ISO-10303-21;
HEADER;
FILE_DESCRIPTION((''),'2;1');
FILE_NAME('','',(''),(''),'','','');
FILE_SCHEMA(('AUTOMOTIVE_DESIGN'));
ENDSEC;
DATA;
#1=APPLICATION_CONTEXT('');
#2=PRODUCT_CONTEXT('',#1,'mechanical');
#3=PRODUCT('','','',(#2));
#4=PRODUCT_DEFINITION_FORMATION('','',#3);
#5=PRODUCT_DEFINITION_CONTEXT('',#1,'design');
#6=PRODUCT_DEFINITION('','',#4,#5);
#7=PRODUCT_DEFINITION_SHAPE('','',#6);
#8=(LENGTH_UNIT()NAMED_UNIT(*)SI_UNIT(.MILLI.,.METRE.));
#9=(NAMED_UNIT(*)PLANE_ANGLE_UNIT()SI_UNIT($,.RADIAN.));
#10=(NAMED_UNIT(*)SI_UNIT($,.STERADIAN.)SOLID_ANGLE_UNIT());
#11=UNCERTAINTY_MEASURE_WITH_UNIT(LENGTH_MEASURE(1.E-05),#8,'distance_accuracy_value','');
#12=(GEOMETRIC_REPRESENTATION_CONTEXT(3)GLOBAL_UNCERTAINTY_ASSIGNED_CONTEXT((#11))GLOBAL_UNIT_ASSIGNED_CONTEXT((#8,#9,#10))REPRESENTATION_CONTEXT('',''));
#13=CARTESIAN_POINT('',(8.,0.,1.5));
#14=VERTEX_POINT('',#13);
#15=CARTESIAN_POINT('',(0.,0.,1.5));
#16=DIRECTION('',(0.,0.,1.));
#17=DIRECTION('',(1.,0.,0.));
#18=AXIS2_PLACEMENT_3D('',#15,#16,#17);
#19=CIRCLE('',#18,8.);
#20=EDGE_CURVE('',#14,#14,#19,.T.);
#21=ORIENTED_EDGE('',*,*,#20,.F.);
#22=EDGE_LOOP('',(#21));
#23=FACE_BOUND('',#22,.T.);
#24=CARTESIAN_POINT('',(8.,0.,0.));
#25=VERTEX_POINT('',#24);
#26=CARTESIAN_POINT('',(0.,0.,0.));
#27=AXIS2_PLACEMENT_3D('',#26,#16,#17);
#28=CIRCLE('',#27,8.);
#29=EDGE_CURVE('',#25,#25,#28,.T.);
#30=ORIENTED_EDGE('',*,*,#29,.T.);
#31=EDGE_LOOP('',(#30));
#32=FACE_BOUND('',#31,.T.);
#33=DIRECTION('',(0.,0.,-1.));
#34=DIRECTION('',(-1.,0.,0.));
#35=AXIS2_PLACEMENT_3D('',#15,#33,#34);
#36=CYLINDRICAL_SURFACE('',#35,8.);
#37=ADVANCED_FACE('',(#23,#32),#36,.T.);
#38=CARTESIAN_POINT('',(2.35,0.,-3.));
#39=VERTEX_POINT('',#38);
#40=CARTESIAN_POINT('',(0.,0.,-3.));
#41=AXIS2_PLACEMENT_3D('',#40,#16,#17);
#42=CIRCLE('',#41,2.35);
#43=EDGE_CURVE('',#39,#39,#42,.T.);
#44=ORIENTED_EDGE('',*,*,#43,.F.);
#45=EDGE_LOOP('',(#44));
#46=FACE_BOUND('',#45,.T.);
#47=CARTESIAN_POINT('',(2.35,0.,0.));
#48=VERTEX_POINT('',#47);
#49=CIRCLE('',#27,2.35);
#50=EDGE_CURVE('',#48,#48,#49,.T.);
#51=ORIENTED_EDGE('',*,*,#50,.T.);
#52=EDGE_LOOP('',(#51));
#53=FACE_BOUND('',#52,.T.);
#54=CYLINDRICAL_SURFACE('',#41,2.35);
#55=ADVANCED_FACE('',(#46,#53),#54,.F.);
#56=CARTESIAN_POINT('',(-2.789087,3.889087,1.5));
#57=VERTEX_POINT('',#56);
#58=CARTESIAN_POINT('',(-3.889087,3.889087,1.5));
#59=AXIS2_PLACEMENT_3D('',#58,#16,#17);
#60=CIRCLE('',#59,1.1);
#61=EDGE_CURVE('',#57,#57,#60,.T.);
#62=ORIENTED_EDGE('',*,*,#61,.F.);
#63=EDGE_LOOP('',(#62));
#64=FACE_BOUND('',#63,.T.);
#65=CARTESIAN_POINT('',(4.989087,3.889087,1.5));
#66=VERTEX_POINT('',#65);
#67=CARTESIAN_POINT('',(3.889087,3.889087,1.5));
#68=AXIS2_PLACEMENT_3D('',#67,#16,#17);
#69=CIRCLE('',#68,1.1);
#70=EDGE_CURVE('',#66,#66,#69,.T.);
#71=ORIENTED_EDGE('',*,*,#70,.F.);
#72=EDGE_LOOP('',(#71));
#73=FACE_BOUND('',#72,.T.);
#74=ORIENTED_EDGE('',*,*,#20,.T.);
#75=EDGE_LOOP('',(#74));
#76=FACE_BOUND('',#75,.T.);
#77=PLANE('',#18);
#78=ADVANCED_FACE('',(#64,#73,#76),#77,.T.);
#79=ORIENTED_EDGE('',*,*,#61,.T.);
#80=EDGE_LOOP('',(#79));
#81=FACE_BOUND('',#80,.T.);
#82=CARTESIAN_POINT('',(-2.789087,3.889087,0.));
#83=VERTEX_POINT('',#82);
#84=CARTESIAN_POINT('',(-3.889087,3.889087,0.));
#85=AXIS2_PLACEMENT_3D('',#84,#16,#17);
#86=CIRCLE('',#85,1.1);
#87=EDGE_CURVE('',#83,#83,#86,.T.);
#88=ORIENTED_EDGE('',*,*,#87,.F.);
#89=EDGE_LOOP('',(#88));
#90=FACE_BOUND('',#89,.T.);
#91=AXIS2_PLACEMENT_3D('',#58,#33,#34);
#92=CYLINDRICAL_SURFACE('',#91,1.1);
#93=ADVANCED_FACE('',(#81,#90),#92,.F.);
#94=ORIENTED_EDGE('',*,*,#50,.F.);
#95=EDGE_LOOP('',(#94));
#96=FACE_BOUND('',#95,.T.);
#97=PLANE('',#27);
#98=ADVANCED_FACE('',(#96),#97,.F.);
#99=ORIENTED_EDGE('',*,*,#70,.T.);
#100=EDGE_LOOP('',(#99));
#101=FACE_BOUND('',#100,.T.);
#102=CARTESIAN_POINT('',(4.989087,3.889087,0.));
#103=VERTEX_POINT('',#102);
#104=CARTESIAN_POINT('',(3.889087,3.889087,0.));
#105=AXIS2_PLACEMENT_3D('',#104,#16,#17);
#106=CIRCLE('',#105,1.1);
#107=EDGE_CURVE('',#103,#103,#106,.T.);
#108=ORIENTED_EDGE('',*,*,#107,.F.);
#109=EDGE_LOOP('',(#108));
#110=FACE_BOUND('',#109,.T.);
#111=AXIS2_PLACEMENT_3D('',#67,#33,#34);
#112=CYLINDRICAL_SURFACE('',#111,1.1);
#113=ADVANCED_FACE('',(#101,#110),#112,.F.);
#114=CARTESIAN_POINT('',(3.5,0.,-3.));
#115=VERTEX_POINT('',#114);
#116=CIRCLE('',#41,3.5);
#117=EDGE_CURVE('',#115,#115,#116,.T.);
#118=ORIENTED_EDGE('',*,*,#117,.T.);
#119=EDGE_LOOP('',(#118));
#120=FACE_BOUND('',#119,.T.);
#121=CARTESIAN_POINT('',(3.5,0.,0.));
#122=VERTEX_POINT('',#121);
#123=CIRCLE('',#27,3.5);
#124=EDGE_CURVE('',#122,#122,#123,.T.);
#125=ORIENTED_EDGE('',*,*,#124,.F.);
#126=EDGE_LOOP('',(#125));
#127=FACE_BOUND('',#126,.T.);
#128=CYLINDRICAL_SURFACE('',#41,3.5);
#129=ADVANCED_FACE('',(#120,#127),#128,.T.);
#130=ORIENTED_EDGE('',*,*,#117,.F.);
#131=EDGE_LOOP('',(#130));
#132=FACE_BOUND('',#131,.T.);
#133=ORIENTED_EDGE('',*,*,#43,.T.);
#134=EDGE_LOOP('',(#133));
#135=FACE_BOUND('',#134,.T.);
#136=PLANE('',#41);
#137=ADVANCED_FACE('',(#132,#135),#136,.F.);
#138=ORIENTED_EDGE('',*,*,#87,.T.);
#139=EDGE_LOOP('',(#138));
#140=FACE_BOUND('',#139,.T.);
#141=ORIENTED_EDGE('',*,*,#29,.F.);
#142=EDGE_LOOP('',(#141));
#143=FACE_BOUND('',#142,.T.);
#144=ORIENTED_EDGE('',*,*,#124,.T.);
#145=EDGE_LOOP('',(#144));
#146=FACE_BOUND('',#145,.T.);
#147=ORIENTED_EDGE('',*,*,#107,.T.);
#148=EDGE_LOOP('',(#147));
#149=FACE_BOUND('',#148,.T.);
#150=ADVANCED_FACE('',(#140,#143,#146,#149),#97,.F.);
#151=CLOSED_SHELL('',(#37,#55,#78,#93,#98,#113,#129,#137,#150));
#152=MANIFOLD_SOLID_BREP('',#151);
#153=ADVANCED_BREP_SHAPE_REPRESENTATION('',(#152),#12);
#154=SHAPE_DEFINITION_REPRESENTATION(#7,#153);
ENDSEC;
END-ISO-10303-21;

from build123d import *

# Parameters (mm, degrees)
ESQUISSE1_R              = 8
ESQUISSE1_R_2            = 1.1
DISQUE_O16_DEPTH         = 1.5
ESQUISSE2_R              = 3.5
ESQUISSE2_R_2            = 2.35
MOYEU_CANNELE_SG90_DEPTH = 3


with BuildPart() as part:
    # Esquisse1 → Disque O16 (new body)
    with BuildSketch(Plane.XY):
        Circle(ESQUISSE1_R)
        with Locations((3.889087297, 3.889087297)):
            Circle(ESQUISSE1_R_2, mode=Mode.SUBTRACT)
        with Locations((-3.889087297, 3.889087297)):
            Circle(ESQUISSE1_R_2, mode=Mode.SUBTRACT)
    extrude(amount=DISQUE_O16_DEPTH)

    # Esquisse2 → Moyeu cannele SG90 (add)
    with BuildSketch(Plane.XY):
        Circle(ESQUISSE2_R)
        Circle(ESQUISSE2_R_2, mode=Mode.SUBTRACT)
    extrude(amount=-MOYEU_CANNELE_SG90_DEPTH)


solid = part.part
